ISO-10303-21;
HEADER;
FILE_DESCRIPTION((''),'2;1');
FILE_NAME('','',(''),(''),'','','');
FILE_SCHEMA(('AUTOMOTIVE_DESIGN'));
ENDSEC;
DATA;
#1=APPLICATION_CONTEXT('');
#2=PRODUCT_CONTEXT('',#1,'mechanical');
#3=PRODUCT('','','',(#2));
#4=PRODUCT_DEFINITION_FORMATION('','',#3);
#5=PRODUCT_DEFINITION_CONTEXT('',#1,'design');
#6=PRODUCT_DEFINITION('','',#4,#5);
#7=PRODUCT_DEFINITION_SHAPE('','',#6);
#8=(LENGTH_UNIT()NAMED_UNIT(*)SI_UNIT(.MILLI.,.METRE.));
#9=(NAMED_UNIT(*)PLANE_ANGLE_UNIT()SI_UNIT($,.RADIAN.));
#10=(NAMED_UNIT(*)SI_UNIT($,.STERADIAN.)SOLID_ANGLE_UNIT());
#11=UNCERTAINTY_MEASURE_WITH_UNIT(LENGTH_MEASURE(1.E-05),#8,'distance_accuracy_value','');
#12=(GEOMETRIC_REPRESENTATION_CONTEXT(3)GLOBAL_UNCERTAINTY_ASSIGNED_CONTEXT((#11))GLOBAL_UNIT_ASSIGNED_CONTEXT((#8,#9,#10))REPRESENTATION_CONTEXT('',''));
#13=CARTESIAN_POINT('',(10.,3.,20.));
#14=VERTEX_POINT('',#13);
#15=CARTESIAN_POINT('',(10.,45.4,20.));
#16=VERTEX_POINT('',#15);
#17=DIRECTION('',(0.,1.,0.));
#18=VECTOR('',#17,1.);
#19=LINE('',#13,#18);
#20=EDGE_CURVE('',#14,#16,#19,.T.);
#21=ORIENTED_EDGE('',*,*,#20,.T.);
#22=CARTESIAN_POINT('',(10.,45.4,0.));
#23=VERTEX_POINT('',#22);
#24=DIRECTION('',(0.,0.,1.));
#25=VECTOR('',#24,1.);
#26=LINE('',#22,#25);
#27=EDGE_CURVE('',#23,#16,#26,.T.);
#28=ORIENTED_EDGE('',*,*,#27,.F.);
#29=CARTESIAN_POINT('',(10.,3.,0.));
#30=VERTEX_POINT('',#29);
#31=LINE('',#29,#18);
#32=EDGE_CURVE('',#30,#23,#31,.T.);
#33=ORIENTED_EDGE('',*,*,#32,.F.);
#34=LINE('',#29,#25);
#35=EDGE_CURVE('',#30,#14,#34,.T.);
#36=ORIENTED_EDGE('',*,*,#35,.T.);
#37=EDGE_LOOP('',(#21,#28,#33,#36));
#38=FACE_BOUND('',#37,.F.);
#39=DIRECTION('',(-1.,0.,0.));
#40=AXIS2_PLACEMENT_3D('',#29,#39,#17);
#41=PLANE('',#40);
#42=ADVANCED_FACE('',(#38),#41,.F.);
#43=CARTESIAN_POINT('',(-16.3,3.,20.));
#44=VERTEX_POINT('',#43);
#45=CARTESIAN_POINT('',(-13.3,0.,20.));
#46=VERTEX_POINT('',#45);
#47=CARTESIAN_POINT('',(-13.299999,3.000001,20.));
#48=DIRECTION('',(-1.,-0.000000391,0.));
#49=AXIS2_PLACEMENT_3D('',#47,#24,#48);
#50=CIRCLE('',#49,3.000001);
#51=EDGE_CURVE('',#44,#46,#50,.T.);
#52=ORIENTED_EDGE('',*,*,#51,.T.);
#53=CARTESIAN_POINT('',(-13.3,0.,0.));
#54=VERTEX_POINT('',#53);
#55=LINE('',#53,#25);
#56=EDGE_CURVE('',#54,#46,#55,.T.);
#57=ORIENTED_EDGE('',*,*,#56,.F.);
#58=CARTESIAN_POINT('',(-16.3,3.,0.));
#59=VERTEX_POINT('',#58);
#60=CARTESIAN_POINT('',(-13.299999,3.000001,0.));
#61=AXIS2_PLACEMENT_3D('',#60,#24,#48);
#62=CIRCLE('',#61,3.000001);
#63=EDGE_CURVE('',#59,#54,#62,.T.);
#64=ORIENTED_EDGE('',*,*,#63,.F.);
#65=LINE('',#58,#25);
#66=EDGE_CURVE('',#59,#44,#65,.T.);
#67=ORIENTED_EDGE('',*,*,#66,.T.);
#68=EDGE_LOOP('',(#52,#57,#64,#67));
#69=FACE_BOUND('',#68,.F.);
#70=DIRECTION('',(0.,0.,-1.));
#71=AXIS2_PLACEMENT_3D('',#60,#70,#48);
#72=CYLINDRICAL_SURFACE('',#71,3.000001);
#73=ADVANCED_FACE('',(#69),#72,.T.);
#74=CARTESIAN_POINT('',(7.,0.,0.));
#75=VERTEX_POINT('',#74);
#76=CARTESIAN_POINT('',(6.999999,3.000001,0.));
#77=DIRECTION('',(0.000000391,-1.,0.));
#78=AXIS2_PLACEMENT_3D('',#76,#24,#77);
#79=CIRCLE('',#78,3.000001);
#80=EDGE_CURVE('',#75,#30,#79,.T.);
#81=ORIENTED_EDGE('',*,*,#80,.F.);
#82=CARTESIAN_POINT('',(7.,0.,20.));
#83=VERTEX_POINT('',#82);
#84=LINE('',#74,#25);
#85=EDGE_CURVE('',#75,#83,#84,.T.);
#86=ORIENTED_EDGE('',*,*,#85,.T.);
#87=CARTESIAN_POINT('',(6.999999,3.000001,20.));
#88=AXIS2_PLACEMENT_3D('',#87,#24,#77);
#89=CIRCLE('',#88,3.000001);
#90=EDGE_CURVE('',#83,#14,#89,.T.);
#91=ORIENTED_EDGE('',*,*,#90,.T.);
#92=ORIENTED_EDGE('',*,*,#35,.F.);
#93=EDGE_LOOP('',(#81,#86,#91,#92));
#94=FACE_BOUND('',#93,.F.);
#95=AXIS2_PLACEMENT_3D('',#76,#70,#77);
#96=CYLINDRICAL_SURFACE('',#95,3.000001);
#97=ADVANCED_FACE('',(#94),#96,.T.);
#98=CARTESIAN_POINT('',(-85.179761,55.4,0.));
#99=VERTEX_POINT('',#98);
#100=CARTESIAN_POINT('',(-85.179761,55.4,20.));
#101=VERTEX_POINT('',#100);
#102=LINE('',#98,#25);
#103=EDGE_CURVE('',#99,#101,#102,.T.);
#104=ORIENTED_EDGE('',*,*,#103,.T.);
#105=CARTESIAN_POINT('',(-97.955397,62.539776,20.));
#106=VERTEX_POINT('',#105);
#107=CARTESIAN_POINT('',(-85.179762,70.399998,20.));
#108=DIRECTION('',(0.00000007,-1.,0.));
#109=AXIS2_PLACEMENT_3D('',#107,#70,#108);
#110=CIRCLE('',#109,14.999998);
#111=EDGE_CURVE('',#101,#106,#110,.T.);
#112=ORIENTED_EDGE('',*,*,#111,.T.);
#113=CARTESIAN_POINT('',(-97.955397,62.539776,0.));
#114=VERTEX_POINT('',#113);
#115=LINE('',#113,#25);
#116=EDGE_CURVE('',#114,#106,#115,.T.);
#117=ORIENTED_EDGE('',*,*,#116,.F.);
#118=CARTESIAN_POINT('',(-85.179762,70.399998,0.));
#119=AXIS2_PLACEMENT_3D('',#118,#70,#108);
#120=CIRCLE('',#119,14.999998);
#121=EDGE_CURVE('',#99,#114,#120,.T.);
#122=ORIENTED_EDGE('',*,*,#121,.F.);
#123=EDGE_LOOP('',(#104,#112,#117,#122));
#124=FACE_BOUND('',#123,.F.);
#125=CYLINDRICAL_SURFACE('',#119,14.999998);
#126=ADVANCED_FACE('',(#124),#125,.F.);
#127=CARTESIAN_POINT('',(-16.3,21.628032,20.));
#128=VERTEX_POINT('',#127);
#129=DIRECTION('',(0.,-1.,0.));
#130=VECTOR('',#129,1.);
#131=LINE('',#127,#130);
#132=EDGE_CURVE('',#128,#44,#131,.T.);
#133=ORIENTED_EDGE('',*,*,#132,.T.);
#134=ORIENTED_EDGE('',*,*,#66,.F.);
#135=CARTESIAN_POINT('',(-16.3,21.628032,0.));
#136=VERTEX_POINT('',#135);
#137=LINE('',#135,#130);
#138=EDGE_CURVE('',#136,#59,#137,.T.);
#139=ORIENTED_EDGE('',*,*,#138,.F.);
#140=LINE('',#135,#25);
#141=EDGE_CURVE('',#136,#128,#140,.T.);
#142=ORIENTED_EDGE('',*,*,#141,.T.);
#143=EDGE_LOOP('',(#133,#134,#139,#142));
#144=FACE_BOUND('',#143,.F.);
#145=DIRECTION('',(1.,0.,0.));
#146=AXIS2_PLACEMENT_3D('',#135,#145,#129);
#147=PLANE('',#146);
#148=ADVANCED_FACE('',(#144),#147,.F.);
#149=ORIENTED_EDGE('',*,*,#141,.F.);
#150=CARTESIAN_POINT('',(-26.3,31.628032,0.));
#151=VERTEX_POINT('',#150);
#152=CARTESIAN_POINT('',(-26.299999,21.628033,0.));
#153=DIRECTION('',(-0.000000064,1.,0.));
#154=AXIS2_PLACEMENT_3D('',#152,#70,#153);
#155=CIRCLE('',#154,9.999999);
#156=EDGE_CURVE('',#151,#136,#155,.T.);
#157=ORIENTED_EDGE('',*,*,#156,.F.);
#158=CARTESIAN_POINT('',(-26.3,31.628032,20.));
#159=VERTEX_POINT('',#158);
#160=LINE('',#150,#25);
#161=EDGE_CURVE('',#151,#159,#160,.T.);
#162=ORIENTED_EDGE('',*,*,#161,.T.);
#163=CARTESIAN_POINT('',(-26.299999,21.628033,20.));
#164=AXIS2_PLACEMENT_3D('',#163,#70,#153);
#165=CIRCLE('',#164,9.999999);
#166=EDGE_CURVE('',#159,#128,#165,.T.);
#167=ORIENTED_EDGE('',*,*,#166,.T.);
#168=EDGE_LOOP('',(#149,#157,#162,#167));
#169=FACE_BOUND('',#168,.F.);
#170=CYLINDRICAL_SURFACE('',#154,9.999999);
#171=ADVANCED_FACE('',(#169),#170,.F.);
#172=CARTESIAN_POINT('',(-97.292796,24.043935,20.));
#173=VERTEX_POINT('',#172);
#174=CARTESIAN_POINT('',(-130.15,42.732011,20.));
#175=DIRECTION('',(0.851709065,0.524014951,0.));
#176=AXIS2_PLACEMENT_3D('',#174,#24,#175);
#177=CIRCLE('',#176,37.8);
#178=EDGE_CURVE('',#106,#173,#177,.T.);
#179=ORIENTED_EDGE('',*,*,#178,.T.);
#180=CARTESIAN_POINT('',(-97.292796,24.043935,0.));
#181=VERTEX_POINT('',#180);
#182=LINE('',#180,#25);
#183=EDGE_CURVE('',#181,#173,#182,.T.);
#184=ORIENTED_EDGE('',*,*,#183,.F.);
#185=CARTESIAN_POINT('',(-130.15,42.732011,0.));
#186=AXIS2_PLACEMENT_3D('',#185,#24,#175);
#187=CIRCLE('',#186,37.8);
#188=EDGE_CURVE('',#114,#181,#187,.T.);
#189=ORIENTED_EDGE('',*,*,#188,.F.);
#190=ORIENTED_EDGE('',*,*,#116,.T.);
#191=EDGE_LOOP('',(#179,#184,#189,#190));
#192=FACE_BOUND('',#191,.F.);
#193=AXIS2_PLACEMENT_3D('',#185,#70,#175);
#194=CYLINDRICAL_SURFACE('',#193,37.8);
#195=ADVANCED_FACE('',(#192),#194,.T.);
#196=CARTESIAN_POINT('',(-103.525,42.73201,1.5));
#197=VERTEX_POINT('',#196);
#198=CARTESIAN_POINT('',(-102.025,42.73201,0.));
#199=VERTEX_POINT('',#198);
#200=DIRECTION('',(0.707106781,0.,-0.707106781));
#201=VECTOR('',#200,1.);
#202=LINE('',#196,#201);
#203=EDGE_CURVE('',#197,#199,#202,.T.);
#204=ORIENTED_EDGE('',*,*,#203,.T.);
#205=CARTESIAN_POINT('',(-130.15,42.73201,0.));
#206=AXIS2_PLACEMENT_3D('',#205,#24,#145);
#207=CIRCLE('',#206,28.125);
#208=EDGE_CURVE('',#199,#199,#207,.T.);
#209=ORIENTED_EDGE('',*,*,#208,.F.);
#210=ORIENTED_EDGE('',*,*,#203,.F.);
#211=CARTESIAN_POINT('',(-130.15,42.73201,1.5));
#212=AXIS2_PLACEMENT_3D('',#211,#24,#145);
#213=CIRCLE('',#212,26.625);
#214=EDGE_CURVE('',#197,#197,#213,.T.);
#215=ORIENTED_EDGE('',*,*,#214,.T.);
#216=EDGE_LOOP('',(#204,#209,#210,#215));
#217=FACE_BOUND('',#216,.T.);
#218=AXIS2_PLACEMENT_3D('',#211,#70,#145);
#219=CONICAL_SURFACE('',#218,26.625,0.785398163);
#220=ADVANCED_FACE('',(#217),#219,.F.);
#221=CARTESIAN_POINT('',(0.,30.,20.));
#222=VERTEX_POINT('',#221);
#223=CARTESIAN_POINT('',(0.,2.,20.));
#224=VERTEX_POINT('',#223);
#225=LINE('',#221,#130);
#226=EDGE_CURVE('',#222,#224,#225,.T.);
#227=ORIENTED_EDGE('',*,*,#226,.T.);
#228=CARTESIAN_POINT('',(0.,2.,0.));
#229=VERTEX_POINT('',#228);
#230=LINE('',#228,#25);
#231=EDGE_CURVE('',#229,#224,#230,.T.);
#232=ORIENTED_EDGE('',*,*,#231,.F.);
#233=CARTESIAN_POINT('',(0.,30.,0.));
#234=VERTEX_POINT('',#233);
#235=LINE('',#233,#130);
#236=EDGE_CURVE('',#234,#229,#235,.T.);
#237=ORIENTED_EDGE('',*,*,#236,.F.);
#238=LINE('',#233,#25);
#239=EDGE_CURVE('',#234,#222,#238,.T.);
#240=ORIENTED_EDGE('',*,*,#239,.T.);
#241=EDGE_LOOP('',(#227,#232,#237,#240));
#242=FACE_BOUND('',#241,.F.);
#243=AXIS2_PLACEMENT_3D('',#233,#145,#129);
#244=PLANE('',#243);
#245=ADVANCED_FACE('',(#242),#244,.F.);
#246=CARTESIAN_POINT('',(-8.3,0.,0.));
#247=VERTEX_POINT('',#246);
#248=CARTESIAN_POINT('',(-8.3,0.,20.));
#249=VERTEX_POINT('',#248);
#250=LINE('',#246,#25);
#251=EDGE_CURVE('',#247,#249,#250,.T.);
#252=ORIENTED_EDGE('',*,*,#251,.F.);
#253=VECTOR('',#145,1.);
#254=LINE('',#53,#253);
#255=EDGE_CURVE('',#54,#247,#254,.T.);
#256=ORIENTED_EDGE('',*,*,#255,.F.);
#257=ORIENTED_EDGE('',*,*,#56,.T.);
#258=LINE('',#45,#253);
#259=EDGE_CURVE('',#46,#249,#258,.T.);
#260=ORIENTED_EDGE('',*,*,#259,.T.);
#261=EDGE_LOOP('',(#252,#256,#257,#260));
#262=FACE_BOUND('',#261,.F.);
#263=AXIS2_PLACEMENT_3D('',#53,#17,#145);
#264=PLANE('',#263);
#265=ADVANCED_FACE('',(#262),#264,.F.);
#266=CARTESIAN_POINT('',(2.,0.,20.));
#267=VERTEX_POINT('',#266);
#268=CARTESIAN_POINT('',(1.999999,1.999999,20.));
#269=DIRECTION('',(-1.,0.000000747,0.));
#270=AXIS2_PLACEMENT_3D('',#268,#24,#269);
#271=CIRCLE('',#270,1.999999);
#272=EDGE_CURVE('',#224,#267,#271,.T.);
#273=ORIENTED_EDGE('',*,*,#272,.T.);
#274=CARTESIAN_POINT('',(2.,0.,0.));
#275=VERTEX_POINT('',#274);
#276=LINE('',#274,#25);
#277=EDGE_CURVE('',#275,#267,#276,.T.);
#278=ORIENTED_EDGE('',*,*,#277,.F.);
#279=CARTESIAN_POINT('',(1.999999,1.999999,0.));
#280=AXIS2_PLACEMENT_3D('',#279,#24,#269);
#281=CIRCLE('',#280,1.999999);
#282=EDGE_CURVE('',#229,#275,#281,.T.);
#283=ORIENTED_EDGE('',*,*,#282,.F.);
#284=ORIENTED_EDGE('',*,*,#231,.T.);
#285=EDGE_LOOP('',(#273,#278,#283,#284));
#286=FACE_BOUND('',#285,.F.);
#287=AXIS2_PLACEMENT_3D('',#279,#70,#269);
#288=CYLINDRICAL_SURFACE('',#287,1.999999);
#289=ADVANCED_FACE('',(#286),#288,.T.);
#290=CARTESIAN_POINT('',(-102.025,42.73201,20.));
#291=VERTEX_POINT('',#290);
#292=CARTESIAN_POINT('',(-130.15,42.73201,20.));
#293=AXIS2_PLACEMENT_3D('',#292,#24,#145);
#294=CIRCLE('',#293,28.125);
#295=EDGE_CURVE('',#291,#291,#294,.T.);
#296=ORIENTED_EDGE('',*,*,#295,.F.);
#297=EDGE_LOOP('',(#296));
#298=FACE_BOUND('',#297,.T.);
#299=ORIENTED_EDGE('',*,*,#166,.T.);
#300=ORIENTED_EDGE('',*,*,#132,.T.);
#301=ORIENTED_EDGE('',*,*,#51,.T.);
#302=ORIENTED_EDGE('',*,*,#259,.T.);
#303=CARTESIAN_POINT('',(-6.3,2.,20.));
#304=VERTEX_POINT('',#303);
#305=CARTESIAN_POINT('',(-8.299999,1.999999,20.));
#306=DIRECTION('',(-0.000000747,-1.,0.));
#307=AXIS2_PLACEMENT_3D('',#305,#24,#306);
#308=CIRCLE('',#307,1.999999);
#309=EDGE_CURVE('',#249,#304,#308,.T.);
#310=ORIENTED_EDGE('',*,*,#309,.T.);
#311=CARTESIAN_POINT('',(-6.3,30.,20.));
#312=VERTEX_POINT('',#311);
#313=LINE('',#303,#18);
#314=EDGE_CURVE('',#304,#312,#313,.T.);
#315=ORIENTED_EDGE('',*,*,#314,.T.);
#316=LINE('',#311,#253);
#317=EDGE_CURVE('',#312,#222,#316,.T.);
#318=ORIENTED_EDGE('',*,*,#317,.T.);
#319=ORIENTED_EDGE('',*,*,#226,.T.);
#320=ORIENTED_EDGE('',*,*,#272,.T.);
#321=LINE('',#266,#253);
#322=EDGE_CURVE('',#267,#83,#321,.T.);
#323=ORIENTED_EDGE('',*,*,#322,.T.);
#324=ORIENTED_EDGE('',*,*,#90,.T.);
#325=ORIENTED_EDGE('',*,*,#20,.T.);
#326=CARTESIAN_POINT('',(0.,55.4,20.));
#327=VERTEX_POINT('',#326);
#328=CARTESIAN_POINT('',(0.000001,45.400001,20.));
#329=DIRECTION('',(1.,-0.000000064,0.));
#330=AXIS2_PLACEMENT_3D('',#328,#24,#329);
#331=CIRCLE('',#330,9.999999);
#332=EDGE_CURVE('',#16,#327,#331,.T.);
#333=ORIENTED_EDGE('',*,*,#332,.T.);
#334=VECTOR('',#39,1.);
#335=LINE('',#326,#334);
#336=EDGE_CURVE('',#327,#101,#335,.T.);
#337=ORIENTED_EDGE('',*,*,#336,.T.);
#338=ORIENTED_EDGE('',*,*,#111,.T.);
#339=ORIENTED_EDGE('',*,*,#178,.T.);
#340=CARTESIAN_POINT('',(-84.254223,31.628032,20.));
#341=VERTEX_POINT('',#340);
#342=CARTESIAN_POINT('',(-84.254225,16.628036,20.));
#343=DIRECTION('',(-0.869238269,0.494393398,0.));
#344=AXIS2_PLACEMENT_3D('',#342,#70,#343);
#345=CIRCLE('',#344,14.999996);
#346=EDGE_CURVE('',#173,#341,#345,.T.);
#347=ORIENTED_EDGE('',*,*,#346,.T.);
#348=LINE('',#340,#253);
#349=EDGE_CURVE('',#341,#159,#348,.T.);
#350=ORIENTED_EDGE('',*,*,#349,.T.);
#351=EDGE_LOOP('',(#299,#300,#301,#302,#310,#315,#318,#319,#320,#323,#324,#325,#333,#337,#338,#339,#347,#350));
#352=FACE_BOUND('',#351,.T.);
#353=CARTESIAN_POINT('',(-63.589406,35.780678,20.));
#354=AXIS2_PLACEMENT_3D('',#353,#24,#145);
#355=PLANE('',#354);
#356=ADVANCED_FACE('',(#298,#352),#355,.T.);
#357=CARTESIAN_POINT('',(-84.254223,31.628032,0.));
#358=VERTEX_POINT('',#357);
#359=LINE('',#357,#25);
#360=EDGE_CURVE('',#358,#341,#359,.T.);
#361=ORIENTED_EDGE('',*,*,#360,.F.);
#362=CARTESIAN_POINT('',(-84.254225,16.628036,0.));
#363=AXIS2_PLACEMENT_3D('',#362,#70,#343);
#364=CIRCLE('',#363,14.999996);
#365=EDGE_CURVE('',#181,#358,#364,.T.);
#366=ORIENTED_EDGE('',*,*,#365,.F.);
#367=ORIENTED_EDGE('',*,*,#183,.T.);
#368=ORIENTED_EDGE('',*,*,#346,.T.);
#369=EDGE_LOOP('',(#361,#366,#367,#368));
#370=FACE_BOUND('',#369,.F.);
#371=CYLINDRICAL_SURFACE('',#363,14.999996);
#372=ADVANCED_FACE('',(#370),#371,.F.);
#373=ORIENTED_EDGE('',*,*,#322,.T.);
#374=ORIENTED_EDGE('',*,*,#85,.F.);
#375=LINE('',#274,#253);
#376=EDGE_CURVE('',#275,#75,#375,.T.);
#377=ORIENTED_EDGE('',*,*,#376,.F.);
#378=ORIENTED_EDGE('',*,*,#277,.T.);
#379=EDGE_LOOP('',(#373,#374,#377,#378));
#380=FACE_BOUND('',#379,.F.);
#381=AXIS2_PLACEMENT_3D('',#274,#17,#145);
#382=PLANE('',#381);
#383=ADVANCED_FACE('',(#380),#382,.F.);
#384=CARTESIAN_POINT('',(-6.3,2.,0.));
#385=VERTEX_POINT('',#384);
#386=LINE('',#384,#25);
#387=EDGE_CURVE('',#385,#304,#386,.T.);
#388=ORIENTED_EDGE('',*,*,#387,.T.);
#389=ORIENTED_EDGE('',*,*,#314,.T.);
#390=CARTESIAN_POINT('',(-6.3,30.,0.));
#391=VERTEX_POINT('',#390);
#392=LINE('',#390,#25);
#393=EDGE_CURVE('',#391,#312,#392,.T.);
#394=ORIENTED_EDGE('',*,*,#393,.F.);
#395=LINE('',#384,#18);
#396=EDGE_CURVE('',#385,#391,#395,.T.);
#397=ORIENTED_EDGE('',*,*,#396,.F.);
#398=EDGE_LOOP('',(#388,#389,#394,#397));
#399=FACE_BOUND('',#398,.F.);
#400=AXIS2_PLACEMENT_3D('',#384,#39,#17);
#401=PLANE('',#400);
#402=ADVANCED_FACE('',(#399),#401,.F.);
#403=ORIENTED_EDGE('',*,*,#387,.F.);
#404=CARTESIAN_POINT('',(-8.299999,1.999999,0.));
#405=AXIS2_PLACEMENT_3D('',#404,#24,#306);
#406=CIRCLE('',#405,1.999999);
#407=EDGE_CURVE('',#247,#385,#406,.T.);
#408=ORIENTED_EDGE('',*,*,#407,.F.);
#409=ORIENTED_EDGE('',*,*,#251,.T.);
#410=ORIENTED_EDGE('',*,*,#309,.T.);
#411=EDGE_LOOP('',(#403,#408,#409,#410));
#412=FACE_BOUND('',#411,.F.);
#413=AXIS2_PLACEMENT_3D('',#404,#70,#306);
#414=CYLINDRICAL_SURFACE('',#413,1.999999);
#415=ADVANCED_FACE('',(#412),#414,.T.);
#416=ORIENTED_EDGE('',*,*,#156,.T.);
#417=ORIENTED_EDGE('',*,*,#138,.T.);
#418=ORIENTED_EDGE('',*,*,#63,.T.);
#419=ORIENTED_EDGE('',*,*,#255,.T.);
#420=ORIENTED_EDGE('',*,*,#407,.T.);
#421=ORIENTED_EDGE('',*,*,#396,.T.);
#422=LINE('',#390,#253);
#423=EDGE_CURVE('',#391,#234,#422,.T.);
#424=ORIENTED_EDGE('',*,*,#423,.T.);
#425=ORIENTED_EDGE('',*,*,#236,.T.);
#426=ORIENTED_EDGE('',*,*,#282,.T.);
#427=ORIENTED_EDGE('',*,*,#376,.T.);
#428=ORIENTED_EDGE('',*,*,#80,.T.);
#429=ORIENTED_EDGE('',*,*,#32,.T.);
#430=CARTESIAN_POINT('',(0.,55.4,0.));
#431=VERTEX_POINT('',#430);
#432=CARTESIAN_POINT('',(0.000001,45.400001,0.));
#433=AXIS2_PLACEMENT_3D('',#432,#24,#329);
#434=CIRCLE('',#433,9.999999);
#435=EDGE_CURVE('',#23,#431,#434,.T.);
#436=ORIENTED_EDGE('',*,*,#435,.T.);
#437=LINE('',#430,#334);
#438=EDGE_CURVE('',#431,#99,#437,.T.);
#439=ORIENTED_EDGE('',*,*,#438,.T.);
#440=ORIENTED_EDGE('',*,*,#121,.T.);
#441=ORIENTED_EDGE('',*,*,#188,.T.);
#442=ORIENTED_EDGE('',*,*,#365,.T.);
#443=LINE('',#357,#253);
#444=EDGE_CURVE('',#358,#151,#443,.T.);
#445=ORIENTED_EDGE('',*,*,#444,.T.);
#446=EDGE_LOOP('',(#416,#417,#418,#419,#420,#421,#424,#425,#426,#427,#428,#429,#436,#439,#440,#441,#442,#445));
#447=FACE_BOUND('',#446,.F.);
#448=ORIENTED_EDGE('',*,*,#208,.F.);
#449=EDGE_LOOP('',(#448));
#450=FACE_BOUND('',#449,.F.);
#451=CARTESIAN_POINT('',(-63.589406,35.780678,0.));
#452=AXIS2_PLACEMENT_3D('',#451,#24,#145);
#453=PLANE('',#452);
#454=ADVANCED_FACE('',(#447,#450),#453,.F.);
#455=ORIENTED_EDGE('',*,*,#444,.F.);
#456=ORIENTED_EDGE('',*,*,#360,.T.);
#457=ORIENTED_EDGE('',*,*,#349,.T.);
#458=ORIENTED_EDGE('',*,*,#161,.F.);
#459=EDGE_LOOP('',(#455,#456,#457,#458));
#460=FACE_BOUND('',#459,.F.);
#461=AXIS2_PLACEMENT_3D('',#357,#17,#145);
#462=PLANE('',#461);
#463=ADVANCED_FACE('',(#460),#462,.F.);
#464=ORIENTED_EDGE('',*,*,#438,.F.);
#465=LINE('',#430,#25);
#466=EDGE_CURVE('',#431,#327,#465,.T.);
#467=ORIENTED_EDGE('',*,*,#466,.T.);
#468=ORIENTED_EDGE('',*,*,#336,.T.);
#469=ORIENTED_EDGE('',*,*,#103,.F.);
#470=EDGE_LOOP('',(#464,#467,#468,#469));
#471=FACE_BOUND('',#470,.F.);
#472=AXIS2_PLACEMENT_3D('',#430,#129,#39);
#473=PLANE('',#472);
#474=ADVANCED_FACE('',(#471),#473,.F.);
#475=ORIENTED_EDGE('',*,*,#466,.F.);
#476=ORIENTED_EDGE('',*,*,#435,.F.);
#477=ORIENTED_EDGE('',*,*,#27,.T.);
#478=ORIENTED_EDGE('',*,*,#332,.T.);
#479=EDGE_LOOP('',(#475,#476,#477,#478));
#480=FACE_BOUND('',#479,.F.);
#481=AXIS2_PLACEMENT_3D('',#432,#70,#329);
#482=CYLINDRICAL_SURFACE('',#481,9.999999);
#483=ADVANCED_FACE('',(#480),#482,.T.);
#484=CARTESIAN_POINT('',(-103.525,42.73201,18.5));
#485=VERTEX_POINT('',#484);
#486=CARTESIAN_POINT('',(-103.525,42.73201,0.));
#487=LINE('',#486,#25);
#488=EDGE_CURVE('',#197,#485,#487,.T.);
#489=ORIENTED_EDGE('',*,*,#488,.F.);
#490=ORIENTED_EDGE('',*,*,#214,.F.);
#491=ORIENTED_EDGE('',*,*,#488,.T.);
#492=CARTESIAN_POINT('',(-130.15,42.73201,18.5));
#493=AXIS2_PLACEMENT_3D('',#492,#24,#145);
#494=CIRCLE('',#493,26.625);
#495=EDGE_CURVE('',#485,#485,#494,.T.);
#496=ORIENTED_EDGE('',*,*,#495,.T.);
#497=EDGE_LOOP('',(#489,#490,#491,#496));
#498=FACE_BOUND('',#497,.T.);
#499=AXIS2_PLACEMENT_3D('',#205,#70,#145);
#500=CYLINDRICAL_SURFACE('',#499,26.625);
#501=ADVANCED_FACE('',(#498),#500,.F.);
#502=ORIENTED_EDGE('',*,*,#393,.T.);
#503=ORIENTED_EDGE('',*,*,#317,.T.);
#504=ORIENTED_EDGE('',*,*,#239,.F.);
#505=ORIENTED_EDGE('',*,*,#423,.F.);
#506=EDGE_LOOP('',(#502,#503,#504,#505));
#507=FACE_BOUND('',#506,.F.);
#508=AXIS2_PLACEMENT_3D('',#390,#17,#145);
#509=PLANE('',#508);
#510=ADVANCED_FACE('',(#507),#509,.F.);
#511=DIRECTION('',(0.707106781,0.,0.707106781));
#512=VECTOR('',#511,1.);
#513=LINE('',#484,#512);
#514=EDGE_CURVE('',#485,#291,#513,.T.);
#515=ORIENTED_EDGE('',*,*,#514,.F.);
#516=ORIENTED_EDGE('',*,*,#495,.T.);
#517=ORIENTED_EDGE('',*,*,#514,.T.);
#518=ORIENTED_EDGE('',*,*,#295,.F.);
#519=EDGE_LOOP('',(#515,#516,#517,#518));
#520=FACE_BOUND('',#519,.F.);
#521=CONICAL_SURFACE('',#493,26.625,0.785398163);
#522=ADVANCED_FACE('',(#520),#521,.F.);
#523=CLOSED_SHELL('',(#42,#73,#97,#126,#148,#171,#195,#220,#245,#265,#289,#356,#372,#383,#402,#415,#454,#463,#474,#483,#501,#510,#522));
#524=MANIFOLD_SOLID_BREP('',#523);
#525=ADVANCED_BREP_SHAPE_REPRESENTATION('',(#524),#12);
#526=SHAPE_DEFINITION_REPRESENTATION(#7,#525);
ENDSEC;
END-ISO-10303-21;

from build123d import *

# Parameters (mm, degrees)
F0_R     = 26.625
F1_DEPTH = 20
F2_SIZE  = 1.5


with BuildPart() as f1:
    # F0 (on Top) → F1 (new body)
    with BuildSketch(Plane.XY):
        with BuildLine():
            ThreePointArc((0, 2), (0.585786, 0.585786), (2, 0))
            Line((2, 0), (7, 0))
            ThreePointArc((7, 0), (9.12132, 0.87868), (10, 3))
            Line((10, 3), (10, 45.4))
            ThreePointArc((10, 45.4), (7.071068, 52.471068), (0, 55.4))
            Line((0, 55.4), (-85.179761, 55.4))
            ThreePointArc((-85.179761, 55.4), (-92.497433, 57.306044), (-97.955397, 62.539776))
            ThreePointArc((-97.955397, 62.539776), (-167.944402, 42.081483), (-97.292796, 24.043935))
            ThreePointArc((-97.292796, 24.043935), (-91.796155, 29.594114), (-84.254223, 31.628032))
            Line((-84.254223, 31.628032), (-26.3, 31.628032))
            ThreePointArc((-26.3, 31.628032), (-19.228932, 28.6991), (-16.3, 21.628032))
            Line((-16.3, 21.628032), (-16.3, 3))
            ThreePointArc((-16.3, 3), (-15.42132, 0.87868), (-13.3, 0))
            Line((-13.3, 0), (-8.3, 0))
            ThreePointArc((-8.3, 0), (-6.885786, 0.585786), (-6.3, 2))
            Line((-6.3, 2), (-6.3, 30))
            Line((-6.3, 30), (0, 30))
            Line((0, 30), (0, 2))
        make_face()
        with Locations((-130.15, 42.73201)):
            Circle(F0_R, mode=Mode.SUBTRACT)
    extrude(amount=F1_DEPTH)

    # F2
    f2_edges = [f1.edges().sort_by_distance(p)[0] for p in [
        (-156.775, 42.73201, 0),
        (-156.775, 42.73201, 20),
    ]]
    chamfer(f2_edges, length=F2_SIZE)


solid = f1.part
